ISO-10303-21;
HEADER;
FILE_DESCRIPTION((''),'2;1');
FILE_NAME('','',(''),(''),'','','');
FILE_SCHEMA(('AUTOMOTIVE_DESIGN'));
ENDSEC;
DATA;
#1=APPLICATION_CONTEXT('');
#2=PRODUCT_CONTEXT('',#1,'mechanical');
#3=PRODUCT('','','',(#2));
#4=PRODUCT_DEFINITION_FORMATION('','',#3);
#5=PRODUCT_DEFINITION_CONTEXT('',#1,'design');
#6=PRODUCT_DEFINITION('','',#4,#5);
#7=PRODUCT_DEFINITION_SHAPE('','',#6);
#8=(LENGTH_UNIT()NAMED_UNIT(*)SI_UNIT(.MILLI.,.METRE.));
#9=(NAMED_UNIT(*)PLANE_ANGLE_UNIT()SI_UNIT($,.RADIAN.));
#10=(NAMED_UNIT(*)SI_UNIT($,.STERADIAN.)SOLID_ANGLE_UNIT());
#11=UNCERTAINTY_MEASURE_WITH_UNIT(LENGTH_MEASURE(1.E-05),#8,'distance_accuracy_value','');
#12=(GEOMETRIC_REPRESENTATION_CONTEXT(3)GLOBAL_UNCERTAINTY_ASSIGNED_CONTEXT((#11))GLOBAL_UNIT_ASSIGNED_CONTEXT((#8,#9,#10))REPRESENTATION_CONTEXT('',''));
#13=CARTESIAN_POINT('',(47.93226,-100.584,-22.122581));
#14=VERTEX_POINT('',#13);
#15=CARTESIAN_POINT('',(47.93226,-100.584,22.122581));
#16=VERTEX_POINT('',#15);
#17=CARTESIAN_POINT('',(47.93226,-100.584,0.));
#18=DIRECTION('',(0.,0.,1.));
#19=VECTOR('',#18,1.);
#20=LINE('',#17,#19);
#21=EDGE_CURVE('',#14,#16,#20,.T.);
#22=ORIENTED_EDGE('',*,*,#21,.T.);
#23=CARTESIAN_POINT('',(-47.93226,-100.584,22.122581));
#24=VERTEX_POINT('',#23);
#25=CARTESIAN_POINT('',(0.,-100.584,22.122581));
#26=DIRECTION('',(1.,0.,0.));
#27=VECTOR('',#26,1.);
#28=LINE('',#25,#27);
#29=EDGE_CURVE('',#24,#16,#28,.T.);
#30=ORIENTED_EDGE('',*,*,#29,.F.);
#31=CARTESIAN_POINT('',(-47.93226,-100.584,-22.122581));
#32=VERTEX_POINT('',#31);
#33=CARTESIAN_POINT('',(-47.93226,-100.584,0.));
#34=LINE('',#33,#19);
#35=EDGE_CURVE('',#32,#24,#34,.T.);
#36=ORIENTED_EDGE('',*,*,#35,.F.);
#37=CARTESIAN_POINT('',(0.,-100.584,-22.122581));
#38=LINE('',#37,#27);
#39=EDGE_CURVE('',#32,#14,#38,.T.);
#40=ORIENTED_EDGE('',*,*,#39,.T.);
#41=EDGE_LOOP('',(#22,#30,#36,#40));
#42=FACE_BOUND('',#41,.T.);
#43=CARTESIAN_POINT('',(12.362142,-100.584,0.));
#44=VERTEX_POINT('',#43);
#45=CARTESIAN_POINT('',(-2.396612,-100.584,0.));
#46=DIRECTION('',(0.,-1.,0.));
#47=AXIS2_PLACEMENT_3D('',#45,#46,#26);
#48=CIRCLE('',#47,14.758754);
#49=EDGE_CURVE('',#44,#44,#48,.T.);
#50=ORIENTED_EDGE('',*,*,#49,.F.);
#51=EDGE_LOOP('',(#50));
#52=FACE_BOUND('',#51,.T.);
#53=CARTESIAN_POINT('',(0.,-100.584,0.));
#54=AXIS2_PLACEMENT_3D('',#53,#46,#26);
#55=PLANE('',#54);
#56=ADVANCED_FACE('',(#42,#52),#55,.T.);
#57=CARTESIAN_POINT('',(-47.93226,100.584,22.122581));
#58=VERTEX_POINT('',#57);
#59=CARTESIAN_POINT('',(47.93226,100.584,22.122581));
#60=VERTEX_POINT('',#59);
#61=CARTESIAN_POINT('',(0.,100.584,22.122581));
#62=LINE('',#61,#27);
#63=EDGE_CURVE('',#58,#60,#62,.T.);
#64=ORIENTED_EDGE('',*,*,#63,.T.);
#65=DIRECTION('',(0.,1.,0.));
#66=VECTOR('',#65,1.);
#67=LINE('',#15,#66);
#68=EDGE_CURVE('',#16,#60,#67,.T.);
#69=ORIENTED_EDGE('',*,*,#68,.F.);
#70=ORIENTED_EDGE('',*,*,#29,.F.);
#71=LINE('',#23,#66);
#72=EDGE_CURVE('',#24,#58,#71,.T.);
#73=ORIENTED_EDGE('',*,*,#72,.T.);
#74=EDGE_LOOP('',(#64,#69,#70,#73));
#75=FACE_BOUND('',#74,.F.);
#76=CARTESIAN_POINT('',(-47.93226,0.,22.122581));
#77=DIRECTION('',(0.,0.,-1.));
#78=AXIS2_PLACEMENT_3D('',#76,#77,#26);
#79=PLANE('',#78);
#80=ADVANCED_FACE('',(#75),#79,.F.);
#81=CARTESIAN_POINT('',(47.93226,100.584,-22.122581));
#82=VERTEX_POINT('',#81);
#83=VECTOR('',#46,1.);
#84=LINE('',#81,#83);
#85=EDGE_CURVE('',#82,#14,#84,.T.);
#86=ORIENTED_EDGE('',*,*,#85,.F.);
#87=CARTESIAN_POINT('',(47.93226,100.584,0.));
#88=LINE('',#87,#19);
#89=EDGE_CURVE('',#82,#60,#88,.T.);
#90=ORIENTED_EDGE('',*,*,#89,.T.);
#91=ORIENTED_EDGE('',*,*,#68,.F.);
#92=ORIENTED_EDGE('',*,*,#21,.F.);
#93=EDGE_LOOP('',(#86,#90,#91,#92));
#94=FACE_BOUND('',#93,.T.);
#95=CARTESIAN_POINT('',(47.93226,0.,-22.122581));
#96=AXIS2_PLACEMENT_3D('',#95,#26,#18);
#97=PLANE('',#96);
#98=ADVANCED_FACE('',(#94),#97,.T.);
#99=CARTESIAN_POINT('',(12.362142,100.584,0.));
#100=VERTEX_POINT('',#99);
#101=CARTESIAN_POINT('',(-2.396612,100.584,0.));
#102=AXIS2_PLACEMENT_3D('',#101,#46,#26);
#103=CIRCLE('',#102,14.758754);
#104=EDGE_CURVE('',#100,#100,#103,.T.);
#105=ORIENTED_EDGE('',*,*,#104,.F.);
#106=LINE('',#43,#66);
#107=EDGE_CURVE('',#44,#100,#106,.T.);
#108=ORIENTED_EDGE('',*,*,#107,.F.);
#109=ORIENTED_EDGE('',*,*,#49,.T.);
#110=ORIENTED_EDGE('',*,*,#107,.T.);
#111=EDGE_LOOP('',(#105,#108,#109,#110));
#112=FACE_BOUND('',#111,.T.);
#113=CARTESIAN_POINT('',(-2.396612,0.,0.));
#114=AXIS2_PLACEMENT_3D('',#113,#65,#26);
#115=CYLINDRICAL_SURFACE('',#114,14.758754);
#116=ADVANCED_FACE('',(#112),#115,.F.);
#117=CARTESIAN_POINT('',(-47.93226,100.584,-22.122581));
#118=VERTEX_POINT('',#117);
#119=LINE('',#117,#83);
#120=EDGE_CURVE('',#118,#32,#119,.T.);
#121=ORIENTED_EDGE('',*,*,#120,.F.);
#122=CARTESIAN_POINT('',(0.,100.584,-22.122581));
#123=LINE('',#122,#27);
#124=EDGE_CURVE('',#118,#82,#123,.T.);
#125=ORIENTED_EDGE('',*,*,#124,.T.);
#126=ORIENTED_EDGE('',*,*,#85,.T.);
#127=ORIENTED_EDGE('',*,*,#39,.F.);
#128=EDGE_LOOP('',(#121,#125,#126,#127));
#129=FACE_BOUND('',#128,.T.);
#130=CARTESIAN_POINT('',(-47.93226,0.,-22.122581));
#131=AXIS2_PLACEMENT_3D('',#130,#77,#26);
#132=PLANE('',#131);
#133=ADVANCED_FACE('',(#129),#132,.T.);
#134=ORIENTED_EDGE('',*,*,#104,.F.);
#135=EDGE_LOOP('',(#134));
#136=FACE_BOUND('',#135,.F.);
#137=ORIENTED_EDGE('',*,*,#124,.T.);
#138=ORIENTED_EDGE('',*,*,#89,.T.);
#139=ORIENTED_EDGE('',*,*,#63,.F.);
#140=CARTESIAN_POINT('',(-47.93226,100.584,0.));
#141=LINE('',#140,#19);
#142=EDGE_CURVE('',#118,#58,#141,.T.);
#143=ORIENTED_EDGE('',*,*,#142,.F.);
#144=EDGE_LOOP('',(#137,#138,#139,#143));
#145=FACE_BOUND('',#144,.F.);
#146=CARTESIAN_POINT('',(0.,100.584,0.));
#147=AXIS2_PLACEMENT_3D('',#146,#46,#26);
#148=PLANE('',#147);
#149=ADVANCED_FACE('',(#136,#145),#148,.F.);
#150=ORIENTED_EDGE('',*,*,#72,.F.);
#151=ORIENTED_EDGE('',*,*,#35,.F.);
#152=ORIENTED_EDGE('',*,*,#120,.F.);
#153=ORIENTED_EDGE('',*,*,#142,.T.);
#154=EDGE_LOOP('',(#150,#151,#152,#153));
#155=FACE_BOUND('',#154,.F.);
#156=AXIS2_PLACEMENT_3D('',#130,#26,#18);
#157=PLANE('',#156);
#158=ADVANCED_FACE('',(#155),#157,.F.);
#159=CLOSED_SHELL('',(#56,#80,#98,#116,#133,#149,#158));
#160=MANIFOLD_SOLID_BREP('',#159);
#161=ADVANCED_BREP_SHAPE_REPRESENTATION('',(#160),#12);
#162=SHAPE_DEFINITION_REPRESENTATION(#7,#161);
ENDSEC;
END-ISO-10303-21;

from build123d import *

# Parameters (mm, degrees)
F0_W     = 95.86452
F0_H     = 44.245162
F0_R     = 14.758754
F1_DEPTH = 100.584


with BuildPart() as f1:
    # F0 (on Front) → F1 (new body, symmetric)
    with BuildSketch(Plane.XZ):
        Rectangle(F0_W, F0_H)
        with Locations((-2.396612, 0)):
            Circle(F0_R, mode=Mode.SUBTRACT)
    extrude(amount=F1_DEPTH, both=True)


solid = f1.part
